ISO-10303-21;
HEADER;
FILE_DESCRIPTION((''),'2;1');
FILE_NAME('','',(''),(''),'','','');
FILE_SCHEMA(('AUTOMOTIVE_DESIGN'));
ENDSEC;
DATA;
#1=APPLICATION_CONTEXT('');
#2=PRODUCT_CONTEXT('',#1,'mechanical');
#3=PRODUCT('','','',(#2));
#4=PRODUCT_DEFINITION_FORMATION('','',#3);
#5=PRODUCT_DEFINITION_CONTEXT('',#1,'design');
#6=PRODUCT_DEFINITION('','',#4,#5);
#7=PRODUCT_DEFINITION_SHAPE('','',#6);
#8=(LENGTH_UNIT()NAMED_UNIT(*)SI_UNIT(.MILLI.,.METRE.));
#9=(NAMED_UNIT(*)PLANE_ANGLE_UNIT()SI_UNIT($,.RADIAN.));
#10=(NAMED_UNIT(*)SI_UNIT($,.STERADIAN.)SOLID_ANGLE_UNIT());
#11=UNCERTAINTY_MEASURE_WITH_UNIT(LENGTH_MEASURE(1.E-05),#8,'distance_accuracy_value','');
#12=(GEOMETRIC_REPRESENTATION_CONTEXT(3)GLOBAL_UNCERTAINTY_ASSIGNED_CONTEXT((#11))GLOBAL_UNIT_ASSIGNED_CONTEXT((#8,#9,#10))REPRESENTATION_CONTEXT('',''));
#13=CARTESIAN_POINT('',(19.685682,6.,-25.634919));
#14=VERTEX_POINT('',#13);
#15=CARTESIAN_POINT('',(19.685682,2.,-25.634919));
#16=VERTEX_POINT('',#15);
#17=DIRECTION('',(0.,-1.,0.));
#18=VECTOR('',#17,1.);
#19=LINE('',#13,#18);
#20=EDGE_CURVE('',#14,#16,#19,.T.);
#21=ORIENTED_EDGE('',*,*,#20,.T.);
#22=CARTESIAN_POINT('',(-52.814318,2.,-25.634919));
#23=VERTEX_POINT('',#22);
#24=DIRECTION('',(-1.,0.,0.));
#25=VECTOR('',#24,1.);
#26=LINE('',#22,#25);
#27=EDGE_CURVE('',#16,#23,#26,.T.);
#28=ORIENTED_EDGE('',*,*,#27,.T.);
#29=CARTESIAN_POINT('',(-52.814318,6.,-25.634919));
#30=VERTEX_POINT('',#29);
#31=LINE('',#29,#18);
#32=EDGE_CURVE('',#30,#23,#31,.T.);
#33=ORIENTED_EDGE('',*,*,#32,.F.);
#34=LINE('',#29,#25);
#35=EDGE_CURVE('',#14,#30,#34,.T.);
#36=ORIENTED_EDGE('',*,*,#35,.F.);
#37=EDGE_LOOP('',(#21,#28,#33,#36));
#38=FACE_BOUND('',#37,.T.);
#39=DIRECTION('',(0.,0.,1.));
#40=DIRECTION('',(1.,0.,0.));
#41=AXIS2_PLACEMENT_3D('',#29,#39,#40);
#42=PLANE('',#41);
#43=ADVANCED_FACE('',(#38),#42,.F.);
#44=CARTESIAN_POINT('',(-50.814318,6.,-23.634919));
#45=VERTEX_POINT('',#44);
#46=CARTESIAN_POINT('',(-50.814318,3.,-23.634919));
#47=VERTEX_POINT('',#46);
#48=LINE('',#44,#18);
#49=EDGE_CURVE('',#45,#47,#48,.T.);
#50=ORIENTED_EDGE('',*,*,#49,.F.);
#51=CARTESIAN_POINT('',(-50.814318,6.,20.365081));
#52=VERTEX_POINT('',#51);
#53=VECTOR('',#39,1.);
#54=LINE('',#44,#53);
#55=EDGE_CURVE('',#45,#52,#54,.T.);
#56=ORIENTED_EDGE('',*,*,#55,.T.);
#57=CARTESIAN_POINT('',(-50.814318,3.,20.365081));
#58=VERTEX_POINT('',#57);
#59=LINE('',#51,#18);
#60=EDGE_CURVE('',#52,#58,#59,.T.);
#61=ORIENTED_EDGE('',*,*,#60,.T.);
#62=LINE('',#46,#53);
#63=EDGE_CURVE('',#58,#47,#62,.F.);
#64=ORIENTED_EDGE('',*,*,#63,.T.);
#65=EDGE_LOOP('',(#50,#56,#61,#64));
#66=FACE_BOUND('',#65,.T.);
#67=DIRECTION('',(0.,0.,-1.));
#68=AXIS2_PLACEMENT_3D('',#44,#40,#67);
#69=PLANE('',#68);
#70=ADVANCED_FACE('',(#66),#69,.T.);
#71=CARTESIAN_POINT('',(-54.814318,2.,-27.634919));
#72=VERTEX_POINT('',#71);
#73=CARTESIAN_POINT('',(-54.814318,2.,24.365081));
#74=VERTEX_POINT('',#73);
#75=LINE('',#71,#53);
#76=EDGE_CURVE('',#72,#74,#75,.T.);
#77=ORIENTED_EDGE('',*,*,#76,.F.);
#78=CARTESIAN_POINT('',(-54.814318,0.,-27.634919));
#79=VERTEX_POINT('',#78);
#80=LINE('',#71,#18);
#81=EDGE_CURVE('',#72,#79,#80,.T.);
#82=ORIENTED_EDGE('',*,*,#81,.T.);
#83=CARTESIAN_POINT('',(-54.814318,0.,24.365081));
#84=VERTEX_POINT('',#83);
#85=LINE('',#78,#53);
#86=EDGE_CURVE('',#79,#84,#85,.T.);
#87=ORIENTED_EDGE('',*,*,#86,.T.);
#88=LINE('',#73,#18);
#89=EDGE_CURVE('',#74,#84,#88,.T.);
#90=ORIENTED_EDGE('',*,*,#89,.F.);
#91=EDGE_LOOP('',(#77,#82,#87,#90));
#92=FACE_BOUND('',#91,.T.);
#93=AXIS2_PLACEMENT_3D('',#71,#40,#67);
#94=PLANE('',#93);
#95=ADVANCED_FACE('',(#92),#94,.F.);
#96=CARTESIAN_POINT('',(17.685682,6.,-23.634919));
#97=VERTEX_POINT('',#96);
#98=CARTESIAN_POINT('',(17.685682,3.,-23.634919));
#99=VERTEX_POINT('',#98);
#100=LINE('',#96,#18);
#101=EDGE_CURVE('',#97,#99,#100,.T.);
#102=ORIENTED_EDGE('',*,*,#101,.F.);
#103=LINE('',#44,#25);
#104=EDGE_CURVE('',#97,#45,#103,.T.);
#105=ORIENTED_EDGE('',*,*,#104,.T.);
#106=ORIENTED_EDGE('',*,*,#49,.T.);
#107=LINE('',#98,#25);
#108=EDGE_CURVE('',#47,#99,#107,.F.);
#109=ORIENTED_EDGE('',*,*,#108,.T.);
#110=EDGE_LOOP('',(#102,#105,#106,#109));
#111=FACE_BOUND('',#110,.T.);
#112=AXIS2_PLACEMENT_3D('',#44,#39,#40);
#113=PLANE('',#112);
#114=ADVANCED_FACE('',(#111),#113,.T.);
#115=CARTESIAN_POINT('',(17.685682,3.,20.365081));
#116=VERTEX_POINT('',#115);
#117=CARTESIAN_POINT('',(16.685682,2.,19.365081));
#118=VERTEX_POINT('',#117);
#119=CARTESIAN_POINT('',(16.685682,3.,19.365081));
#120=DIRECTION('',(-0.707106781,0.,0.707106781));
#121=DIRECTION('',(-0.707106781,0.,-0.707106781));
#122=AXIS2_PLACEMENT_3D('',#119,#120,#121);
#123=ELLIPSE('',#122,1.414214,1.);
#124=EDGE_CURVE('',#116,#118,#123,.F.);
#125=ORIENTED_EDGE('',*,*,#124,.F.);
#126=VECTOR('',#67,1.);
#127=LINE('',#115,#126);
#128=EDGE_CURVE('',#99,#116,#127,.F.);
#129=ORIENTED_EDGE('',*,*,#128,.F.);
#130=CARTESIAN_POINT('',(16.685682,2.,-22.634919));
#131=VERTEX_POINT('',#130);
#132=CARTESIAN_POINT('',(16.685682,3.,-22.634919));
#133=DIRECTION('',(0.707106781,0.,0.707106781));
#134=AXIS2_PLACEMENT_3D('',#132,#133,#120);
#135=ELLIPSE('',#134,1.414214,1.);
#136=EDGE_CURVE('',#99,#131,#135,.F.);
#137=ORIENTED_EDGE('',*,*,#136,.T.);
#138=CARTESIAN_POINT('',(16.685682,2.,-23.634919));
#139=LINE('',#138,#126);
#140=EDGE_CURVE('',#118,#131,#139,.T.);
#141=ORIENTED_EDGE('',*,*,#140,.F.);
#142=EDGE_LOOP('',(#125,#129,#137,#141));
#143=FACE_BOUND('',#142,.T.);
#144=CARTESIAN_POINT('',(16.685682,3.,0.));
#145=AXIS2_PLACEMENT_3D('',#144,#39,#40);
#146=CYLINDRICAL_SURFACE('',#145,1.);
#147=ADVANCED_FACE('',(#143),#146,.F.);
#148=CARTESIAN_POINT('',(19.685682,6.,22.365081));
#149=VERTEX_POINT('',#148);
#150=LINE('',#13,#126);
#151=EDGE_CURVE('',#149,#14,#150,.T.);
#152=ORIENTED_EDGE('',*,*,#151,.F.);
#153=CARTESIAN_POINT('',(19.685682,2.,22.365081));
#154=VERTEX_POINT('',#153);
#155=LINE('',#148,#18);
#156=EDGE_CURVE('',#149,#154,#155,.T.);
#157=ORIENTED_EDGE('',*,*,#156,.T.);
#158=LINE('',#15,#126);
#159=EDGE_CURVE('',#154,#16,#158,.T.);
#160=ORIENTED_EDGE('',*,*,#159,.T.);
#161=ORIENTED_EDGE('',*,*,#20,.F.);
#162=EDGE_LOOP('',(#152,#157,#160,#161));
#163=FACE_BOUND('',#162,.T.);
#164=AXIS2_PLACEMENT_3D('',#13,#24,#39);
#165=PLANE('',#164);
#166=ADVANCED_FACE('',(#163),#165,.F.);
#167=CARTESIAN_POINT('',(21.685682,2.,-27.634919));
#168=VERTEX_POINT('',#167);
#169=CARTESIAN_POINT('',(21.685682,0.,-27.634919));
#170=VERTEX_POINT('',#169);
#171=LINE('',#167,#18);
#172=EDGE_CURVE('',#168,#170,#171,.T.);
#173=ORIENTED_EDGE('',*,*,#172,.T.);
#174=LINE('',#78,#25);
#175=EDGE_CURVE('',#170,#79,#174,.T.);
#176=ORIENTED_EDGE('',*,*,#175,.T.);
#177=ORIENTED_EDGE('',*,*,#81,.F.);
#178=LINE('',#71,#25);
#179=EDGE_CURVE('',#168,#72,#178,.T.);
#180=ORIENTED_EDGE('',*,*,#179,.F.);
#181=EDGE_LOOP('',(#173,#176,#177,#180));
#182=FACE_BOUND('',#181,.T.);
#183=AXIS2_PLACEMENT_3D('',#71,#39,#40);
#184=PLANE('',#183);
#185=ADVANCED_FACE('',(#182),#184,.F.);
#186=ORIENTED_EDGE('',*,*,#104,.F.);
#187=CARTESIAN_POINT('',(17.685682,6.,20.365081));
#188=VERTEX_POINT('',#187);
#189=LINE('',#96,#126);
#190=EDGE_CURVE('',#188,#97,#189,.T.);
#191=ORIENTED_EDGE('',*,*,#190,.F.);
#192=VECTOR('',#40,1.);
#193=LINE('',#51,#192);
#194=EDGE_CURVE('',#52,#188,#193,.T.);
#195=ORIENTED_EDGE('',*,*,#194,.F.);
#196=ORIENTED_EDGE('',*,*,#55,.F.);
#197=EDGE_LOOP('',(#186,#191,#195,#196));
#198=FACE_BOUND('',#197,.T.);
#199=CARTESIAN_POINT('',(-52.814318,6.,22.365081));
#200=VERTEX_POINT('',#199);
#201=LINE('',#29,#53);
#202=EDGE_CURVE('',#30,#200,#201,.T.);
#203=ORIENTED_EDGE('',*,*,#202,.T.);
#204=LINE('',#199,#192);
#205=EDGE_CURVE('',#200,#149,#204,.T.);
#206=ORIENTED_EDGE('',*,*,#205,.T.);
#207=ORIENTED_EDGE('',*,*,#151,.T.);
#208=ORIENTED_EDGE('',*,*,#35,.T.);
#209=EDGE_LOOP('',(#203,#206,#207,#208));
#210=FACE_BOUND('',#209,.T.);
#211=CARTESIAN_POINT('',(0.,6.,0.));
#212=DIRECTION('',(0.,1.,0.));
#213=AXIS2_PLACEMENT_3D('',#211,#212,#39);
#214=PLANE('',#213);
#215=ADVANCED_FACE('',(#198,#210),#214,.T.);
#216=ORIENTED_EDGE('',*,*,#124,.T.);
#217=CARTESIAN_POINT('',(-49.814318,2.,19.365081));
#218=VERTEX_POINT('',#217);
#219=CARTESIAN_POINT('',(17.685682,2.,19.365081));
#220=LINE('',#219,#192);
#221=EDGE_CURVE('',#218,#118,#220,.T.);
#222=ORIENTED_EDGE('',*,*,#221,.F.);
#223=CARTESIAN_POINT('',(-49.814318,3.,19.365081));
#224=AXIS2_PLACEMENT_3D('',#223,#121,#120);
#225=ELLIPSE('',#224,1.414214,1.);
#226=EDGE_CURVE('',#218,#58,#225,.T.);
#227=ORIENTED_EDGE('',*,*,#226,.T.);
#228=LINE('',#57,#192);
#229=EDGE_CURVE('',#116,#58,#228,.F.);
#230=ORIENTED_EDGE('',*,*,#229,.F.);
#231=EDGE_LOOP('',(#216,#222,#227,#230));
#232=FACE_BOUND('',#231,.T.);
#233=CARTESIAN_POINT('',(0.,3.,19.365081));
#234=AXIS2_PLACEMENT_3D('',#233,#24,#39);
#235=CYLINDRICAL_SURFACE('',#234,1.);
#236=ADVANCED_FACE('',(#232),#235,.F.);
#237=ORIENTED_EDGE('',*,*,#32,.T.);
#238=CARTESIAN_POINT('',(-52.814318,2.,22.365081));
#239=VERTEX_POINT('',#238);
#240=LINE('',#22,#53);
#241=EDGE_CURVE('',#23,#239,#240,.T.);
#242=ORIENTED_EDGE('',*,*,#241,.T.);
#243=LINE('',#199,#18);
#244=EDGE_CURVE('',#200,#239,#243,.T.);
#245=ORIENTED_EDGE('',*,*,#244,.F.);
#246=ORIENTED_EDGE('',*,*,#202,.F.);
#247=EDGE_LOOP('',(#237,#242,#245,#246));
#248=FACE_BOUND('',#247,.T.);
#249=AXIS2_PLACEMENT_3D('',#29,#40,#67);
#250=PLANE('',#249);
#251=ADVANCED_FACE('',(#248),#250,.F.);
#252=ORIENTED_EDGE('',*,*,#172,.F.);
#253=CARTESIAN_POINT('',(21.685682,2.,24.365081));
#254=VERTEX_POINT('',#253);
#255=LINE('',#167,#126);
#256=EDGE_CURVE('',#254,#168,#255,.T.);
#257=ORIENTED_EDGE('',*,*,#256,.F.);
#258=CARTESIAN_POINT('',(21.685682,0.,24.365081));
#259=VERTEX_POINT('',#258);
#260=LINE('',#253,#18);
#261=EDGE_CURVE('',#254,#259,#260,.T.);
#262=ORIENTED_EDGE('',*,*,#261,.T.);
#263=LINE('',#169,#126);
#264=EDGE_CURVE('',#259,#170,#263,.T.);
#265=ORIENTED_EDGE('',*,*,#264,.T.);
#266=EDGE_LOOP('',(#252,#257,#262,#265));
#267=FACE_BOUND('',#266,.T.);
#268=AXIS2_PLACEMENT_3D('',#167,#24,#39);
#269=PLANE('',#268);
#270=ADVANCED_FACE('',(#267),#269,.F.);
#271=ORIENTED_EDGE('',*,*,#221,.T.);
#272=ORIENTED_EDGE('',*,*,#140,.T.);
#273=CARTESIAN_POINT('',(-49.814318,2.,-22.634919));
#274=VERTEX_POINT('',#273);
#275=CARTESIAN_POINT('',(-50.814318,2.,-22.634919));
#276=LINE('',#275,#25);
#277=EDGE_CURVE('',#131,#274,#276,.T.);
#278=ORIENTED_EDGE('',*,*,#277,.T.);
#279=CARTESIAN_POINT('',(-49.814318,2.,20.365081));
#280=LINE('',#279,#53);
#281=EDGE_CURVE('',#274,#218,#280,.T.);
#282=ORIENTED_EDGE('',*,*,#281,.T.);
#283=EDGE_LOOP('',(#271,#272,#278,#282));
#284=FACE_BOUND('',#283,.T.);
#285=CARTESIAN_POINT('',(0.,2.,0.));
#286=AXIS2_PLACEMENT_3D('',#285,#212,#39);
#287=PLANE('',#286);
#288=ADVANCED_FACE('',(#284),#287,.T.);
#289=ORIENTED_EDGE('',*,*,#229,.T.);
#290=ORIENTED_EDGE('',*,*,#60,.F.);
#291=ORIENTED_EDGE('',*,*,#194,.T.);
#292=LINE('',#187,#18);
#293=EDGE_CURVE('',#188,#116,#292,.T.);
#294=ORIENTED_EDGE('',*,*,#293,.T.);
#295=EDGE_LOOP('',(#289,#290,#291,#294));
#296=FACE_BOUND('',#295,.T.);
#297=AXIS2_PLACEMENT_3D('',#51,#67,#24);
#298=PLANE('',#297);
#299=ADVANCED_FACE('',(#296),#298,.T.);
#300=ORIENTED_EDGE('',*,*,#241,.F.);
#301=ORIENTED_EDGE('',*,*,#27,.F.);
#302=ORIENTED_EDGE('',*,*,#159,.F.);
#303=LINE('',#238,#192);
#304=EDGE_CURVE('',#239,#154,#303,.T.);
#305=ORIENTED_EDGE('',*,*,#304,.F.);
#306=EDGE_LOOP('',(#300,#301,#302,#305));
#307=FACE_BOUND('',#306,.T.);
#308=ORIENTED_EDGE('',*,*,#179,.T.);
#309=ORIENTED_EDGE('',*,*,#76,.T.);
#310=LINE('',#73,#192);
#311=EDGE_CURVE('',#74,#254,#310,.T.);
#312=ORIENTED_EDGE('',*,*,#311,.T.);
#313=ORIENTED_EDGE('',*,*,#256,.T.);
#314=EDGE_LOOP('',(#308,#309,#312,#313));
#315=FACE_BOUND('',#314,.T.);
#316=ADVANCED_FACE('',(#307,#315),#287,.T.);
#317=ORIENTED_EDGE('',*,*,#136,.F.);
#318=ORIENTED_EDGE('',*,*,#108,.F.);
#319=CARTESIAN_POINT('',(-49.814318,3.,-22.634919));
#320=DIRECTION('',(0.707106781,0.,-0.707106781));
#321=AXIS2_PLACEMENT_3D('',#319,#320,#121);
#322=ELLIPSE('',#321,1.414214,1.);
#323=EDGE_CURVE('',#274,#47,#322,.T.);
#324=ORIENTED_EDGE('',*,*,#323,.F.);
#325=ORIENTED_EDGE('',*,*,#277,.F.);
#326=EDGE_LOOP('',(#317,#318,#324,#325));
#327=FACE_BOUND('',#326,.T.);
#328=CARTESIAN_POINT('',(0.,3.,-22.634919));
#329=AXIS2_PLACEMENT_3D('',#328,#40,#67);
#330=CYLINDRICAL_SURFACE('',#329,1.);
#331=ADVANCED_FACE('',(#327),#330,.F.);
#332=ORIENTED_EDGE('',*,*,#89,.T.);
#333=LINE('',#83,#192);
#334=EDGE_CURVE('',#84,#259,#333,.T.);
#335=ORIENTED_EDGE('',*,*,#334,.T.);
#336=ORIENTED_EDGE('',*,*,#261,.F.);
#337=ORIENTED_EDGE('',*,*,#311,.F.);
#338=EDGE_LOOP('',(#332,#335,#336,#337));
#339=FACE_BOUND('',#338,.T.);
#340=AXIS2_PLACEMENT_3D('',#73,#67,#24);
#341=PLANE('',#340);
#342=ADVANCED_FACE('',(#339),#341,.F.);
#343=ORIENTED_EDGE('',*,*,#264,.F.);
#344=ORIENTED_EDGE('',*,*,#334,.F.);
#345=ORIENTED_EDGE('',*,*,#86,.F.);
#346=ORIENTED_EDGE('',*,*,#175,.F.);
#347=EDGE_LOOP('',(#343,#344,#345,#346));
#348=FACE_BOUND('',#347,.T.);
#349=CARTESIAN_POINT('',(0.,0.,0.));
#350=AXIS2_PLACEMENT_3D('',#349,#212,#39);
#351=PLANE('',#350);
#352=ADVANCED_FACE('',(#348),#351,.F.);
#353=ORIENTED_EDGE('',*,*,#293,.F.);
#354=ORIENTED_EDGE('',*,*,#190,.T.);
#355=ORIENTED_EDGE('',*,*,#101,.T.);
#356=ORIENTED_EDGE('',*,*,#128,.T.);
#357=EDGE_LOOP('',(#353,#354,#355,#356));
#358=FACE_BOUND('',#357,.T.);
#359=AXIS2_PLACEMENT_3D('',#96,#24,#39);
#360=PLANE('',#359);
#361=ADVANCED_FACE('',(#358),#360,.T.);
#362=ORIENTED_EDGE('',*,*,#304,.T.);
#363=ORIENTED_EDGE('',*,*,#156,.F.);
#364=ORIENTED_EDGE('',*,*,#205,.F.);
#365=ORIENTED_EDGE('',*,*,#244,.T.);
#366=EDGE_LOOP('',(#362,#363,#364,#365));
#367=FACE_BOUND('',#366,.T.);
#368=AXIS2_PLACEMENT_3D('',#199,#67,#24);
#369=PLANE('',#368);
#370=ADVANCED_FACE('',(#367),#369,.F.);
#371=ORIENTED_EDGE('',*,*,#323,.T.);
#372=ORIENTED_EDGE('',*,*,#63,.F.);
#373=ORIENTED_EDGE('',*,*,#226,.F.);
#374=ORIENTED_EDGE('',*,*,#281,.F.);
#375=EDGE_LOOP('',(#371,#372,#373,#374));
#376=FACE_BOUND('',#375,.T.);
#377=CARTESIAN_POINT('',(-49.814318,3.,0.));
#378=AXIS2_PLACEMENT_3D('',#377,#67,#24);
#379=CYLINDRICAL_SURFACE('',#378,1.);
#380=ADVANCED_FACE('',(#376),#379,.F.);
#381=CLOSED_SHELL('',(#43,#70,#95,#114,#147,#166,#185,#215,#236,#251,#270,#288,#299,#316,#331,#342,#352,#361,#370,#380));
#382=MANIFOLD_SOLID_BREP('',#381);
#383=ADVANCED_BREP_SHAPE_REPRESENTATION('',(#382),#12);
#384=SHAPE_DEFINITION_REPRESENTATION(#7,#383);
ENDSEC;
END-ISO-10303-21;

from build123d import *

# Parameters (mm, degrees)
SKETCH_1_W      = 76.5
SKETCH_1_H      = 52
EXTRUDE_1_DEPTH = 2
SKETCH_2_W      = 72.5
SKETCH_2_H      = 48
SKETCH_2_W_2    = 68.5
SKETCH_2_H_2    = 44
EXTRUDE_2_DEPTH = 4
FILLET_1_R      = 1


with BuildPart() as part:
    # Эскиз1 → Бобышка-Вытянуть1 (new body)
    with BuildSketch(Plane(origin=(0, 0, 0), x_dir=(1, 0, 0), z_dir=(0, 1, 0))):
        with Locations((-16.564317774, 1.63491921)):
            Rectangle(SKETCH_1_W, SKETCH_1_H)
    extrude(amount=EXTRUDE_1_DEPTH)

    # Эскиз2 → Бобышка-Вытянуть2 (add)
    with BuildSketch(Plane(origin=(0, 2, 0), x_dir=(1, 0, 0), z_dir=(0, 1, 0))):
        with Locations((-16.564317774, 1.63491921)):
            Rectangle(SKETCH_2_W, SKETCH_2_H)
        with Locations((-16.564317774, 1.63491921)):
            Rectangle(SKETCH_2_W_2, SKETCH_2_H_2, mode=Mode.SUBTRACT)
    extrude(amount=EXTRUDE_2_DEPTH)

    # Скругление1
    fillet_1_edges = [part.edges().sort_by_distance(p)[0] for p in [
        (-50.814317774, 2, -1.63491921),
        (-16.564317774, 2, 20.36508079),
        (17.685682226, 2, -1.63491921),
        (-16.564317774, 2, -23.63491921),
    ]]
    fillet(fillet_1_edges, radius=FILLET_1_R)


solid = part.part
